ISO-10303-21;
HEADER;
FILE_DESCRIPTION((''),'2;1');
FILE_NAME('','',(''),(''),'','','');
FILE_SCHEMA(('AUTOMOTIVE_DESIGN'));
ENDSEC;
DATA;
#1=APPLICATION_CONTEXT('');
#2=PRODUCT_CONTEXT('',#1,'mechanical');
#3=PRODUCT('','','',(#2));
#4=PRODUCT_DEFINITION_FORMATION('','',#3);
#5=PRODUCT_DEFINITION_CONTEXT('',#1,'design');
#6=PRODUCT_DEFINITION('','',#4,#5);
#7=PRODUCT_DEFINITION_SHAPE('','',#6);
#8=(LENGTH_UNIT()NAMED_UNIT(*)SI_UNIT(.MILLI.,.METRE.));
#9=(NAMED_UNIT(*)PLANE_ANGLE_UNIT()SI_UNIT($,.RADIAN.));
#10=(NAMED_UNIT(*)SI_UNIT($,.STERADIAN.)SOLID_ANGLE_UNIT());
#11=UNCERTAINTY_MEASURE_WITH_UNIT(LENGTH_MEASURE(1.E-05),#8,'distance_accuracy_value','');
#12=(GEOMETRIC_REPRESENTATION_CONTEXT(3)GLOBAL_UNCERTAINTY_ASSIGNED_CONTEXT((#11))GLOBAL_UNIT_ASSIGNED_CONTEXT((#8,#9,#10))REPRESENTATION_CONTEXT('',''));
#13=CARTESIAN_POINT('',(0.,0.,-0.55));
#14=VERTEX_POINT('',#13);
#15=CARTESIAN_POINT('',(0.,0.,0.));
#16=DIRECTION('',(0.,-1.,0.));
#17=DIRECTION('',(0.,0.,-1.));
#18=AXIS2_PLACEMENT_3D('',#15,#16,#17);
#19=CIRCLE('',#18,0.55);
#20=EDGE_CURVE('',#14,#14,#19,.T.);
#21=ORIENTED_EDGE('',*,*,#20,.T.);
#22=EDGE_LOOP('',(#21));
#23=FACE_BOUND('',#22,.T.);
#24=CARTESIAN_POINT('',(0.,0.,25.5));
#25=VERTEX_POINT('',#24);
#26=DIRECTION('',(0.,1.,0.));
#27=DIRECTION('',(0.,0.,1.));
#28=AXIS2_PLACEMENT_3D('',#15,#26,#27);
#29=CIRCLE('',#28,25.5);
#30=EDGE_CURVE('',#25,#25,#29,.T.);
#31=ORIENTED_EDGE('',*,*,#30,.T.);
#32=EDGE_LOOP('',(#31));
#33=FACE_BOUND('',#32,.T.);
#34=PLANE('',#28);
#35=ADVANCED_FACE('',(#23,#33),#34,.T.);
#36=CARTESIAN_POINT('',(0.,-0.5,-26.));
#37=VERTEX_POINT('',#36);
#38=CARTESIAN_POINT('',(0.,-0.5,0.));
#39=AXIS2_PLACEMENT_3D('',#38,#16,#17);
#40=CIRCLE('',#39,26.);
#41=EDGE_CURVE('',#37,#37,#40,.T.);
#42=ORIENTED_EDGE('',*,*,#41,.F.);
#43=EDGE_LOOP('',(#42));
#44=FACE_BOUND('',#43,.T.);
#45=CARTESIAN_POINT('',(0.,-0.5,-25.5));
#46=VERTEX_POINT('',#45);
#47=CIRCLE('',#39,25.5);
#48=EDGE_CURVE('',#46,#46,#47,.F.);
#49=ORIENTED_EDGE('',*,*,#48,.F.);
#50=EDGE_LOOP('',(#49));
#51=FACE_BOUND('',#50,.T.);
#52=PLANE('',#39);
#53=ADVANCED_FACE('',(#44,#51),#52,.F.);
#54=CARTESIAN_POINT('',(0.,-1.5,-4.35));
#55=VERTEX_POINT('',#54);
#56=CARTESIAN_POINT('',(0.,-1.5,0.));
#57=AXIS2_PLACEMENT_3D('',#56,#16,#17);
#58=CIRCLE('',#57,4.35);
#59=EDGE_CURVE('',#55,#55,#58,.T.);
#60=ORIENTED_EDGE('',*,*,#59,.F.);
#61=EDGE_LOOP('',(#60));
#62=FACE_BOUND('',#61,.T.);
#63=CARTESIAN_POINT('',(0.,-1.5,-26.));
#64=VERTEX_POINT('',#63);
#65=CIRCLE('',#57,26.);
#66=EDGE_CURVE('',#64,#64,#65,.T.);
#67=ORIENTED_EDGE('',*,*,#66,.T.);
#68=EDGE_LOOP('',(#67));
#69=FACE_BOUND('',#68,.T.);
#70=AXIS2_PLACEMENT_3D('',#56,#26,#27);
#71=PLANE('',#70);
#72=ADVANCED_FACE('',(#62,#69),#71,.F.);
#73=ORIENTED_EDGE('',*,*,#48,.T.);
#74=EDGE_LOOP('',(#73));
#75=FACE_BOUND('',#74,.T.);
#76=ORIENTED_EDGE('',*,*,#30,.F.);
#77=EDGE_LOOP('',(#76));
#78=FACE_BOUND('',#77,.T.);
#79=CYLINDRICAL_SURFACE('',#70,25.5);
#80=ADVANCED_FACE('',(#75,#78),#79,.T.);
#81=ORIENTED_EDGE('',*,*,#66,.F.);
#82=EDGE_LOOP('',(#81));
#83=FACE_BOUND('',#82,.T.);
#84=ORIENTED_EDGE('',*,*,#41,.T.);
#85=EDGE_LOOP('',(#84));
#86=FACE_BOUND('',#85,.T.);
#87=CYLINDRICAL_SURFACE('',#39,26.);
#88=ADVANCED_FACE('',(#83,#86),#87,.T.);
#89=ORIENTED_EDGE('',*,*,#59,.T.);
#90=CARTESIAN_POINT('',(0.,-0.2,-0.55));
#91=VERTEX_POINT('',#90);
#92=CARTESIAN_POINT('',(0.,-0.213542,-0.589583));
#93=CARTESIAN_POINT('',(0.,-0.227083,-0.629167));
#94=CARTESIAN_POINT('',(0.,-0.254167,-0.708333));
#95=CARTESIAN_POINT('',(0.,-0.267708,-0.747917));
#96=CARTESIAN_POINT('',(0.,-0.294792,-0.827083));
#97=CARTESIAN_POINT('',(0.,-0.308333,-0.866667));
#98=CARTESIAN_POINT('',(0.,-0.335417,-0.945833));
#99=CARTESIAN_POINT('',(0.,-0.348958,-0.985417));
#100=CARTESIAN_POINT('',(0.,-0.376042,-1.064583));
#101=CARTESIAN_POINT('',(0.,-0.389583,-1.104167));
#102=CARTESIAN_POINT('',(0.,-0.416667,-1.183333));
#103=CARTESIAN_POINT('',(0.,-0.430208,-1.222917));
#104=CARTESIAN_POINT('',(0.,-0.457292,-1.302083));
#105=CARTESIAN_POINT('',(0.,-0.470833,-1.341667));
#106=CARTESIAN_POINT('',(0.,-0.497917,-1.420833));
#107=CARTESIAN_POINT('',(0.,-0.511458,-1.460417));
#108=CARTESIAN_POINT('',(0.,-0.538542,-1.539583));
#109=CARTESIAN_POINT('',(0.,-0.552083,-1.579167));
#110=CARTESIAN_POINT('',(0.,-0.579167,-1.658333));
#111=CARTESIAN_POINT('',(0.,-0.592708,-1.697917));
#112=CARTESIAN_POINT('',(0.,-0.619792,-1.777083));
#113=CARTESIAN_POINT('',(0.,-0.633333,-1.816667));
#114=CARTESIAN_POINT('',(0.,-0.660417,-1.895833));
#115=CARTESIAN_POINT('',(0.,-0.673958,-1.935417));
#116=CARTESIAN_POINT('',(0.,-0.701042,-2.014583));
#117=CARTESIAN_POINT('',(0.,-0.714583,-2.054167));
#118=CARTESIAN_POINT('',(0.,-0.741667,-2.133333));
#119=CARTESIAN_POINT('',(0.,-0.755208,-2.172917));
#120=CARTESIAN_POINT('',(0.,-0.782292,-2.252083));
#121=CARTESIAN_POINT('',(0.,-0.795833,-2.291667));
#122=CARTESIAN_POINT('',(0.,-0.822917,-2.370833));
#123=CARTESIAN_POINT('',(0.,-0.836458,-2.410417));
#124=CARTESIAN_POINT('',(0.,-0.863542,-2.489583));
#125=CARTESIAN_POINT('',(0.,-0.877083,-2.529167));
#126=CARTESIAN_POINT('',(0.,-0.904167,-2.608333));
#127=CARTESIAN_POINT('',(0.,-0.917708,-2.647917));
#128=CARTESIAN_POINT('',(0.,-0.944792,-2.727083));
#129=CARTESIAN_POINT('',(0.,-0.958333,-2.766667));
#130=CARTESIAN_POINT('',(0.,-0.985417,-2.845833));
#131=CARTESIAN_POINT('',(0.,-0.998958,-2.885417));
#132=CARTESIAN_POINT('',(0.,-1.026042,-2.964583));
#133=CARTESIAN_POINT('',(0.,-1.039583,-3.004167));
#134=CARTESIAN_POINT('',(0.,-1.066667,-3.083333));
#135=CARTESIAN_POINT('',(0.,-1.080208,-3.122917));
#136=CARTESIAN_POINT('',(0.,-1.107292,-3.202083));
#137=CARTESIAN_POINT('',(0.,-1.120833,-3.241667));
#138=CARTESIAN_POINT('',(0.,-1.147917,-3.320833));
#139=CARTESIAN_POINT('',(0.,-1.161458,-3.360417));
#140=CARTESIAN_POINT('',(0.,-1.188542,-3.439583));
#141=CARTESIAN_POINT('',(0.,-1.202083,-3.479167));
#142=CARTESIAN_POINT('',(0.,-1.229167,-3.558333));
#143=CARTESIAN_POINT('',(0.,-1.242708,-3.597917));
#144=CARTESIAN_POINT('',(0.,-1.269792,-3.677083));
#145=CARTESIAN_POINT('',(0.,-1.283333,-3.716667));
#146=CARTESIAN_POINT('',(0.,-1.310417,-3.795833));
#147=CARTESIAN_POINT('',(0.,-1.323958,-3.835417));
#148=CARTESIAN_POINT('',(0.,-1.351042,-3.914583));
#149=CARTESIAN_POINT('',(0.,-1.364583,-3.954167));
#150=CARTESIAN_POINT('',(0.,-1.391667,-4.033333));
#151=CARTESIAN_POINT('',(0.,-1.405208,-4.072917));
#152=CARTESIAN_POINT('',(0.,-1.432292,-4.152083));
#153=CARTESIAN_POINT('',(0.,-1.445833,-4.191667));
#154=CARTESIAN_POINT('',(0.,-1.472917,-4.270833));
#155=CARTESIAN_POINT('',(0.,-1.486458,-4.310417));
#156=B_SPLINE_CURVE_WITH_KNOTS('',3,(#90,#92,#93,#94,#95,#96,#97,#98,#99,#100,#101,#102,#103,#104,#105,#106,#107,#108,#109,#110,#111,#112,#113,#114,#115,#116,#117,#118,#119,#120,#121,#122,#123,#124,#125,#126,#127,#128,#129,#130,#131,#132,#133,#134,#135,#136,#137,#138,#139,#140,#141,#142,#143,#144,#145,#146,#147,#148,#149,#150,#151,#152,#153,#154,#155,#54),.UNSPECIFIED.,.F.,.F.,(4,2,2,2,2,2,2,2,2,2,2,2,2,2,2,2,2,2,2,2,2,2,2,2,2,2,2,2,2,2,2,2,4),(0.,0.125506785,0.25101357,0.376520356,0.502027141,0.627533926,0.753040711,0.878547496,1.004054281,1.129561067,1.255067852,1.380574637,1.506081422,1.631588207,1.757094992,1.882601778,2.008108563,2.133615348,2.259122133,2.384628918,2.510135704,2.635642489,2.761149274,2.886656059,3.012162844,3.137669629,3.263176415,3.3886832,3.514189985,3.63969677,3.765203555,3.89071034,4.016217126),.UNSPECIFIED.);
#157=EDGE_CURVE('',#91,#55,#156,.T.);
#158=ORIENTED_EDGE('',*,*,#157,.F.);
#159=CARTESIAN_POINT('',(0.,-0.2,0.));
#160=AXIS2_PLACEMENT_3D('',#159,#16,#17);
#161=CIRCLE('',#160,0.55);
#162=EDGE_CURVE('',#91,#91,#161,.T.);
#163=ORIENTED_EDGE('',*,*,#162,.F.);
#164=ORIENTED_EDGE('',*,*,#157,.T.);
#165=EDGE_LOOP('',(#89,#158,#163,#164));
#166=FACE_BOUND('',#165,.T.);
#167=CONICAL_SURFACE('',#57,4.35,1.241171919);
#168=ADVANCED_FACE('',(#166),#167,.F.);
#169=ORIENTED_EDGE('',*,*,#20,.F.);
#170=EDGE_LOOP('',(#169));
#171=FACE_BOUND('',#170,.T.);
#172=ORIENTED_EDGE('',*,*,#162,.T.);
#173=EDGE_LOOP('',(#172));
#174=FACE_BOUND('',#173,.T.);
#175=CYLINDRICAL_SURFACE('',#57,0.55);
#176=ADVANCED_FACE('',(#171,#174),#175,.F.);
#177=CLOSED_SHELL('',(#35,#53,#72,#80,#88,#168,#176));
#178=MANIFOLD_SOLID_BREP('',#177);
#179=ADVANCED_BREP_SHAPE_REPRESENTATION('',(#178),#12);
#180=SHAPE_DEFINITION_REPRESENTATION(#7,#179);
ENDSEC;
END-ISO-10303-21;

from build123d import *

# Parameters (mm, degrees)
SKETCH1_R           = 25.5
BOSS_EXTRUDE1_DEPTH = 1.5
SKETCH2_R           = 26
BOSS_EXTRUDE2_DEPTH = 1
SKETCH3_R           = 0.55
CUT_EXTRUDE1_DEPTH  = 37.783148315


with BuildPart() as part:
    # Sketch1 → Boss-Extrude1 (new body)
    with BuildSketch(Plane(origin=(0, 0, 0), x_dir=(1, 0, 0), z_dir=(0, 1, 0))):
        with Locations(Location((0, 0, 0), (0, 0, 270))):
            Circle(SKETCH1_R)
    extrude(amount=-BOSS_EXTRUDE1_DEPTH)

    # Sketch2 → Boss-Extrude2 (add)
    with BuildSketch(Plane(origin=(0, -1.5, 0), x_dir=(-1, 0, 0), z_dir=(0, -1, 0))):
        with Locations(Location((0, 0, 0), (0, 0, 90))):
            Circle(SKETCH2_R)
    extrude(amount=-BOSS_EXTRUDE2_DEPTH)

    # Sketch3 → Cut-Extrude1 (cut, through all)
    with BuildSketch(Plane(origin=(0, -0.5, 0), x_dir=(1, 0, 0), z_dir=(0, 1, 0))):
        with Locations(Location((0, 0, 0), (0, 0, 270))):
            Circle(SKETCH3_R)
    extrude(amount=-CUT_EXTRUDE1_DEPTH, mode=Mode.SUBTRACT)

    # Sketch4 → Cut-Revolve1 (revolve, cut)
    with BuildSketch(Plane.XY, mode=Mode.PRIVATE) as cut_revolve1_sk:
        Polygon((-4.35, -1.5), (0, -1.5), (0, 0), (-0.55, 0), (-0.55, -0.2), align=None)
    revolve(cut_revolve1_sk.sketch.rotate(Axis((0, -1.5, 0), (0, 1, 0)), 270), axis=Axis((0, -1.5, 0), (0, 1, 0)), mode=Mode.SUBTRACT)


solid = part.part
